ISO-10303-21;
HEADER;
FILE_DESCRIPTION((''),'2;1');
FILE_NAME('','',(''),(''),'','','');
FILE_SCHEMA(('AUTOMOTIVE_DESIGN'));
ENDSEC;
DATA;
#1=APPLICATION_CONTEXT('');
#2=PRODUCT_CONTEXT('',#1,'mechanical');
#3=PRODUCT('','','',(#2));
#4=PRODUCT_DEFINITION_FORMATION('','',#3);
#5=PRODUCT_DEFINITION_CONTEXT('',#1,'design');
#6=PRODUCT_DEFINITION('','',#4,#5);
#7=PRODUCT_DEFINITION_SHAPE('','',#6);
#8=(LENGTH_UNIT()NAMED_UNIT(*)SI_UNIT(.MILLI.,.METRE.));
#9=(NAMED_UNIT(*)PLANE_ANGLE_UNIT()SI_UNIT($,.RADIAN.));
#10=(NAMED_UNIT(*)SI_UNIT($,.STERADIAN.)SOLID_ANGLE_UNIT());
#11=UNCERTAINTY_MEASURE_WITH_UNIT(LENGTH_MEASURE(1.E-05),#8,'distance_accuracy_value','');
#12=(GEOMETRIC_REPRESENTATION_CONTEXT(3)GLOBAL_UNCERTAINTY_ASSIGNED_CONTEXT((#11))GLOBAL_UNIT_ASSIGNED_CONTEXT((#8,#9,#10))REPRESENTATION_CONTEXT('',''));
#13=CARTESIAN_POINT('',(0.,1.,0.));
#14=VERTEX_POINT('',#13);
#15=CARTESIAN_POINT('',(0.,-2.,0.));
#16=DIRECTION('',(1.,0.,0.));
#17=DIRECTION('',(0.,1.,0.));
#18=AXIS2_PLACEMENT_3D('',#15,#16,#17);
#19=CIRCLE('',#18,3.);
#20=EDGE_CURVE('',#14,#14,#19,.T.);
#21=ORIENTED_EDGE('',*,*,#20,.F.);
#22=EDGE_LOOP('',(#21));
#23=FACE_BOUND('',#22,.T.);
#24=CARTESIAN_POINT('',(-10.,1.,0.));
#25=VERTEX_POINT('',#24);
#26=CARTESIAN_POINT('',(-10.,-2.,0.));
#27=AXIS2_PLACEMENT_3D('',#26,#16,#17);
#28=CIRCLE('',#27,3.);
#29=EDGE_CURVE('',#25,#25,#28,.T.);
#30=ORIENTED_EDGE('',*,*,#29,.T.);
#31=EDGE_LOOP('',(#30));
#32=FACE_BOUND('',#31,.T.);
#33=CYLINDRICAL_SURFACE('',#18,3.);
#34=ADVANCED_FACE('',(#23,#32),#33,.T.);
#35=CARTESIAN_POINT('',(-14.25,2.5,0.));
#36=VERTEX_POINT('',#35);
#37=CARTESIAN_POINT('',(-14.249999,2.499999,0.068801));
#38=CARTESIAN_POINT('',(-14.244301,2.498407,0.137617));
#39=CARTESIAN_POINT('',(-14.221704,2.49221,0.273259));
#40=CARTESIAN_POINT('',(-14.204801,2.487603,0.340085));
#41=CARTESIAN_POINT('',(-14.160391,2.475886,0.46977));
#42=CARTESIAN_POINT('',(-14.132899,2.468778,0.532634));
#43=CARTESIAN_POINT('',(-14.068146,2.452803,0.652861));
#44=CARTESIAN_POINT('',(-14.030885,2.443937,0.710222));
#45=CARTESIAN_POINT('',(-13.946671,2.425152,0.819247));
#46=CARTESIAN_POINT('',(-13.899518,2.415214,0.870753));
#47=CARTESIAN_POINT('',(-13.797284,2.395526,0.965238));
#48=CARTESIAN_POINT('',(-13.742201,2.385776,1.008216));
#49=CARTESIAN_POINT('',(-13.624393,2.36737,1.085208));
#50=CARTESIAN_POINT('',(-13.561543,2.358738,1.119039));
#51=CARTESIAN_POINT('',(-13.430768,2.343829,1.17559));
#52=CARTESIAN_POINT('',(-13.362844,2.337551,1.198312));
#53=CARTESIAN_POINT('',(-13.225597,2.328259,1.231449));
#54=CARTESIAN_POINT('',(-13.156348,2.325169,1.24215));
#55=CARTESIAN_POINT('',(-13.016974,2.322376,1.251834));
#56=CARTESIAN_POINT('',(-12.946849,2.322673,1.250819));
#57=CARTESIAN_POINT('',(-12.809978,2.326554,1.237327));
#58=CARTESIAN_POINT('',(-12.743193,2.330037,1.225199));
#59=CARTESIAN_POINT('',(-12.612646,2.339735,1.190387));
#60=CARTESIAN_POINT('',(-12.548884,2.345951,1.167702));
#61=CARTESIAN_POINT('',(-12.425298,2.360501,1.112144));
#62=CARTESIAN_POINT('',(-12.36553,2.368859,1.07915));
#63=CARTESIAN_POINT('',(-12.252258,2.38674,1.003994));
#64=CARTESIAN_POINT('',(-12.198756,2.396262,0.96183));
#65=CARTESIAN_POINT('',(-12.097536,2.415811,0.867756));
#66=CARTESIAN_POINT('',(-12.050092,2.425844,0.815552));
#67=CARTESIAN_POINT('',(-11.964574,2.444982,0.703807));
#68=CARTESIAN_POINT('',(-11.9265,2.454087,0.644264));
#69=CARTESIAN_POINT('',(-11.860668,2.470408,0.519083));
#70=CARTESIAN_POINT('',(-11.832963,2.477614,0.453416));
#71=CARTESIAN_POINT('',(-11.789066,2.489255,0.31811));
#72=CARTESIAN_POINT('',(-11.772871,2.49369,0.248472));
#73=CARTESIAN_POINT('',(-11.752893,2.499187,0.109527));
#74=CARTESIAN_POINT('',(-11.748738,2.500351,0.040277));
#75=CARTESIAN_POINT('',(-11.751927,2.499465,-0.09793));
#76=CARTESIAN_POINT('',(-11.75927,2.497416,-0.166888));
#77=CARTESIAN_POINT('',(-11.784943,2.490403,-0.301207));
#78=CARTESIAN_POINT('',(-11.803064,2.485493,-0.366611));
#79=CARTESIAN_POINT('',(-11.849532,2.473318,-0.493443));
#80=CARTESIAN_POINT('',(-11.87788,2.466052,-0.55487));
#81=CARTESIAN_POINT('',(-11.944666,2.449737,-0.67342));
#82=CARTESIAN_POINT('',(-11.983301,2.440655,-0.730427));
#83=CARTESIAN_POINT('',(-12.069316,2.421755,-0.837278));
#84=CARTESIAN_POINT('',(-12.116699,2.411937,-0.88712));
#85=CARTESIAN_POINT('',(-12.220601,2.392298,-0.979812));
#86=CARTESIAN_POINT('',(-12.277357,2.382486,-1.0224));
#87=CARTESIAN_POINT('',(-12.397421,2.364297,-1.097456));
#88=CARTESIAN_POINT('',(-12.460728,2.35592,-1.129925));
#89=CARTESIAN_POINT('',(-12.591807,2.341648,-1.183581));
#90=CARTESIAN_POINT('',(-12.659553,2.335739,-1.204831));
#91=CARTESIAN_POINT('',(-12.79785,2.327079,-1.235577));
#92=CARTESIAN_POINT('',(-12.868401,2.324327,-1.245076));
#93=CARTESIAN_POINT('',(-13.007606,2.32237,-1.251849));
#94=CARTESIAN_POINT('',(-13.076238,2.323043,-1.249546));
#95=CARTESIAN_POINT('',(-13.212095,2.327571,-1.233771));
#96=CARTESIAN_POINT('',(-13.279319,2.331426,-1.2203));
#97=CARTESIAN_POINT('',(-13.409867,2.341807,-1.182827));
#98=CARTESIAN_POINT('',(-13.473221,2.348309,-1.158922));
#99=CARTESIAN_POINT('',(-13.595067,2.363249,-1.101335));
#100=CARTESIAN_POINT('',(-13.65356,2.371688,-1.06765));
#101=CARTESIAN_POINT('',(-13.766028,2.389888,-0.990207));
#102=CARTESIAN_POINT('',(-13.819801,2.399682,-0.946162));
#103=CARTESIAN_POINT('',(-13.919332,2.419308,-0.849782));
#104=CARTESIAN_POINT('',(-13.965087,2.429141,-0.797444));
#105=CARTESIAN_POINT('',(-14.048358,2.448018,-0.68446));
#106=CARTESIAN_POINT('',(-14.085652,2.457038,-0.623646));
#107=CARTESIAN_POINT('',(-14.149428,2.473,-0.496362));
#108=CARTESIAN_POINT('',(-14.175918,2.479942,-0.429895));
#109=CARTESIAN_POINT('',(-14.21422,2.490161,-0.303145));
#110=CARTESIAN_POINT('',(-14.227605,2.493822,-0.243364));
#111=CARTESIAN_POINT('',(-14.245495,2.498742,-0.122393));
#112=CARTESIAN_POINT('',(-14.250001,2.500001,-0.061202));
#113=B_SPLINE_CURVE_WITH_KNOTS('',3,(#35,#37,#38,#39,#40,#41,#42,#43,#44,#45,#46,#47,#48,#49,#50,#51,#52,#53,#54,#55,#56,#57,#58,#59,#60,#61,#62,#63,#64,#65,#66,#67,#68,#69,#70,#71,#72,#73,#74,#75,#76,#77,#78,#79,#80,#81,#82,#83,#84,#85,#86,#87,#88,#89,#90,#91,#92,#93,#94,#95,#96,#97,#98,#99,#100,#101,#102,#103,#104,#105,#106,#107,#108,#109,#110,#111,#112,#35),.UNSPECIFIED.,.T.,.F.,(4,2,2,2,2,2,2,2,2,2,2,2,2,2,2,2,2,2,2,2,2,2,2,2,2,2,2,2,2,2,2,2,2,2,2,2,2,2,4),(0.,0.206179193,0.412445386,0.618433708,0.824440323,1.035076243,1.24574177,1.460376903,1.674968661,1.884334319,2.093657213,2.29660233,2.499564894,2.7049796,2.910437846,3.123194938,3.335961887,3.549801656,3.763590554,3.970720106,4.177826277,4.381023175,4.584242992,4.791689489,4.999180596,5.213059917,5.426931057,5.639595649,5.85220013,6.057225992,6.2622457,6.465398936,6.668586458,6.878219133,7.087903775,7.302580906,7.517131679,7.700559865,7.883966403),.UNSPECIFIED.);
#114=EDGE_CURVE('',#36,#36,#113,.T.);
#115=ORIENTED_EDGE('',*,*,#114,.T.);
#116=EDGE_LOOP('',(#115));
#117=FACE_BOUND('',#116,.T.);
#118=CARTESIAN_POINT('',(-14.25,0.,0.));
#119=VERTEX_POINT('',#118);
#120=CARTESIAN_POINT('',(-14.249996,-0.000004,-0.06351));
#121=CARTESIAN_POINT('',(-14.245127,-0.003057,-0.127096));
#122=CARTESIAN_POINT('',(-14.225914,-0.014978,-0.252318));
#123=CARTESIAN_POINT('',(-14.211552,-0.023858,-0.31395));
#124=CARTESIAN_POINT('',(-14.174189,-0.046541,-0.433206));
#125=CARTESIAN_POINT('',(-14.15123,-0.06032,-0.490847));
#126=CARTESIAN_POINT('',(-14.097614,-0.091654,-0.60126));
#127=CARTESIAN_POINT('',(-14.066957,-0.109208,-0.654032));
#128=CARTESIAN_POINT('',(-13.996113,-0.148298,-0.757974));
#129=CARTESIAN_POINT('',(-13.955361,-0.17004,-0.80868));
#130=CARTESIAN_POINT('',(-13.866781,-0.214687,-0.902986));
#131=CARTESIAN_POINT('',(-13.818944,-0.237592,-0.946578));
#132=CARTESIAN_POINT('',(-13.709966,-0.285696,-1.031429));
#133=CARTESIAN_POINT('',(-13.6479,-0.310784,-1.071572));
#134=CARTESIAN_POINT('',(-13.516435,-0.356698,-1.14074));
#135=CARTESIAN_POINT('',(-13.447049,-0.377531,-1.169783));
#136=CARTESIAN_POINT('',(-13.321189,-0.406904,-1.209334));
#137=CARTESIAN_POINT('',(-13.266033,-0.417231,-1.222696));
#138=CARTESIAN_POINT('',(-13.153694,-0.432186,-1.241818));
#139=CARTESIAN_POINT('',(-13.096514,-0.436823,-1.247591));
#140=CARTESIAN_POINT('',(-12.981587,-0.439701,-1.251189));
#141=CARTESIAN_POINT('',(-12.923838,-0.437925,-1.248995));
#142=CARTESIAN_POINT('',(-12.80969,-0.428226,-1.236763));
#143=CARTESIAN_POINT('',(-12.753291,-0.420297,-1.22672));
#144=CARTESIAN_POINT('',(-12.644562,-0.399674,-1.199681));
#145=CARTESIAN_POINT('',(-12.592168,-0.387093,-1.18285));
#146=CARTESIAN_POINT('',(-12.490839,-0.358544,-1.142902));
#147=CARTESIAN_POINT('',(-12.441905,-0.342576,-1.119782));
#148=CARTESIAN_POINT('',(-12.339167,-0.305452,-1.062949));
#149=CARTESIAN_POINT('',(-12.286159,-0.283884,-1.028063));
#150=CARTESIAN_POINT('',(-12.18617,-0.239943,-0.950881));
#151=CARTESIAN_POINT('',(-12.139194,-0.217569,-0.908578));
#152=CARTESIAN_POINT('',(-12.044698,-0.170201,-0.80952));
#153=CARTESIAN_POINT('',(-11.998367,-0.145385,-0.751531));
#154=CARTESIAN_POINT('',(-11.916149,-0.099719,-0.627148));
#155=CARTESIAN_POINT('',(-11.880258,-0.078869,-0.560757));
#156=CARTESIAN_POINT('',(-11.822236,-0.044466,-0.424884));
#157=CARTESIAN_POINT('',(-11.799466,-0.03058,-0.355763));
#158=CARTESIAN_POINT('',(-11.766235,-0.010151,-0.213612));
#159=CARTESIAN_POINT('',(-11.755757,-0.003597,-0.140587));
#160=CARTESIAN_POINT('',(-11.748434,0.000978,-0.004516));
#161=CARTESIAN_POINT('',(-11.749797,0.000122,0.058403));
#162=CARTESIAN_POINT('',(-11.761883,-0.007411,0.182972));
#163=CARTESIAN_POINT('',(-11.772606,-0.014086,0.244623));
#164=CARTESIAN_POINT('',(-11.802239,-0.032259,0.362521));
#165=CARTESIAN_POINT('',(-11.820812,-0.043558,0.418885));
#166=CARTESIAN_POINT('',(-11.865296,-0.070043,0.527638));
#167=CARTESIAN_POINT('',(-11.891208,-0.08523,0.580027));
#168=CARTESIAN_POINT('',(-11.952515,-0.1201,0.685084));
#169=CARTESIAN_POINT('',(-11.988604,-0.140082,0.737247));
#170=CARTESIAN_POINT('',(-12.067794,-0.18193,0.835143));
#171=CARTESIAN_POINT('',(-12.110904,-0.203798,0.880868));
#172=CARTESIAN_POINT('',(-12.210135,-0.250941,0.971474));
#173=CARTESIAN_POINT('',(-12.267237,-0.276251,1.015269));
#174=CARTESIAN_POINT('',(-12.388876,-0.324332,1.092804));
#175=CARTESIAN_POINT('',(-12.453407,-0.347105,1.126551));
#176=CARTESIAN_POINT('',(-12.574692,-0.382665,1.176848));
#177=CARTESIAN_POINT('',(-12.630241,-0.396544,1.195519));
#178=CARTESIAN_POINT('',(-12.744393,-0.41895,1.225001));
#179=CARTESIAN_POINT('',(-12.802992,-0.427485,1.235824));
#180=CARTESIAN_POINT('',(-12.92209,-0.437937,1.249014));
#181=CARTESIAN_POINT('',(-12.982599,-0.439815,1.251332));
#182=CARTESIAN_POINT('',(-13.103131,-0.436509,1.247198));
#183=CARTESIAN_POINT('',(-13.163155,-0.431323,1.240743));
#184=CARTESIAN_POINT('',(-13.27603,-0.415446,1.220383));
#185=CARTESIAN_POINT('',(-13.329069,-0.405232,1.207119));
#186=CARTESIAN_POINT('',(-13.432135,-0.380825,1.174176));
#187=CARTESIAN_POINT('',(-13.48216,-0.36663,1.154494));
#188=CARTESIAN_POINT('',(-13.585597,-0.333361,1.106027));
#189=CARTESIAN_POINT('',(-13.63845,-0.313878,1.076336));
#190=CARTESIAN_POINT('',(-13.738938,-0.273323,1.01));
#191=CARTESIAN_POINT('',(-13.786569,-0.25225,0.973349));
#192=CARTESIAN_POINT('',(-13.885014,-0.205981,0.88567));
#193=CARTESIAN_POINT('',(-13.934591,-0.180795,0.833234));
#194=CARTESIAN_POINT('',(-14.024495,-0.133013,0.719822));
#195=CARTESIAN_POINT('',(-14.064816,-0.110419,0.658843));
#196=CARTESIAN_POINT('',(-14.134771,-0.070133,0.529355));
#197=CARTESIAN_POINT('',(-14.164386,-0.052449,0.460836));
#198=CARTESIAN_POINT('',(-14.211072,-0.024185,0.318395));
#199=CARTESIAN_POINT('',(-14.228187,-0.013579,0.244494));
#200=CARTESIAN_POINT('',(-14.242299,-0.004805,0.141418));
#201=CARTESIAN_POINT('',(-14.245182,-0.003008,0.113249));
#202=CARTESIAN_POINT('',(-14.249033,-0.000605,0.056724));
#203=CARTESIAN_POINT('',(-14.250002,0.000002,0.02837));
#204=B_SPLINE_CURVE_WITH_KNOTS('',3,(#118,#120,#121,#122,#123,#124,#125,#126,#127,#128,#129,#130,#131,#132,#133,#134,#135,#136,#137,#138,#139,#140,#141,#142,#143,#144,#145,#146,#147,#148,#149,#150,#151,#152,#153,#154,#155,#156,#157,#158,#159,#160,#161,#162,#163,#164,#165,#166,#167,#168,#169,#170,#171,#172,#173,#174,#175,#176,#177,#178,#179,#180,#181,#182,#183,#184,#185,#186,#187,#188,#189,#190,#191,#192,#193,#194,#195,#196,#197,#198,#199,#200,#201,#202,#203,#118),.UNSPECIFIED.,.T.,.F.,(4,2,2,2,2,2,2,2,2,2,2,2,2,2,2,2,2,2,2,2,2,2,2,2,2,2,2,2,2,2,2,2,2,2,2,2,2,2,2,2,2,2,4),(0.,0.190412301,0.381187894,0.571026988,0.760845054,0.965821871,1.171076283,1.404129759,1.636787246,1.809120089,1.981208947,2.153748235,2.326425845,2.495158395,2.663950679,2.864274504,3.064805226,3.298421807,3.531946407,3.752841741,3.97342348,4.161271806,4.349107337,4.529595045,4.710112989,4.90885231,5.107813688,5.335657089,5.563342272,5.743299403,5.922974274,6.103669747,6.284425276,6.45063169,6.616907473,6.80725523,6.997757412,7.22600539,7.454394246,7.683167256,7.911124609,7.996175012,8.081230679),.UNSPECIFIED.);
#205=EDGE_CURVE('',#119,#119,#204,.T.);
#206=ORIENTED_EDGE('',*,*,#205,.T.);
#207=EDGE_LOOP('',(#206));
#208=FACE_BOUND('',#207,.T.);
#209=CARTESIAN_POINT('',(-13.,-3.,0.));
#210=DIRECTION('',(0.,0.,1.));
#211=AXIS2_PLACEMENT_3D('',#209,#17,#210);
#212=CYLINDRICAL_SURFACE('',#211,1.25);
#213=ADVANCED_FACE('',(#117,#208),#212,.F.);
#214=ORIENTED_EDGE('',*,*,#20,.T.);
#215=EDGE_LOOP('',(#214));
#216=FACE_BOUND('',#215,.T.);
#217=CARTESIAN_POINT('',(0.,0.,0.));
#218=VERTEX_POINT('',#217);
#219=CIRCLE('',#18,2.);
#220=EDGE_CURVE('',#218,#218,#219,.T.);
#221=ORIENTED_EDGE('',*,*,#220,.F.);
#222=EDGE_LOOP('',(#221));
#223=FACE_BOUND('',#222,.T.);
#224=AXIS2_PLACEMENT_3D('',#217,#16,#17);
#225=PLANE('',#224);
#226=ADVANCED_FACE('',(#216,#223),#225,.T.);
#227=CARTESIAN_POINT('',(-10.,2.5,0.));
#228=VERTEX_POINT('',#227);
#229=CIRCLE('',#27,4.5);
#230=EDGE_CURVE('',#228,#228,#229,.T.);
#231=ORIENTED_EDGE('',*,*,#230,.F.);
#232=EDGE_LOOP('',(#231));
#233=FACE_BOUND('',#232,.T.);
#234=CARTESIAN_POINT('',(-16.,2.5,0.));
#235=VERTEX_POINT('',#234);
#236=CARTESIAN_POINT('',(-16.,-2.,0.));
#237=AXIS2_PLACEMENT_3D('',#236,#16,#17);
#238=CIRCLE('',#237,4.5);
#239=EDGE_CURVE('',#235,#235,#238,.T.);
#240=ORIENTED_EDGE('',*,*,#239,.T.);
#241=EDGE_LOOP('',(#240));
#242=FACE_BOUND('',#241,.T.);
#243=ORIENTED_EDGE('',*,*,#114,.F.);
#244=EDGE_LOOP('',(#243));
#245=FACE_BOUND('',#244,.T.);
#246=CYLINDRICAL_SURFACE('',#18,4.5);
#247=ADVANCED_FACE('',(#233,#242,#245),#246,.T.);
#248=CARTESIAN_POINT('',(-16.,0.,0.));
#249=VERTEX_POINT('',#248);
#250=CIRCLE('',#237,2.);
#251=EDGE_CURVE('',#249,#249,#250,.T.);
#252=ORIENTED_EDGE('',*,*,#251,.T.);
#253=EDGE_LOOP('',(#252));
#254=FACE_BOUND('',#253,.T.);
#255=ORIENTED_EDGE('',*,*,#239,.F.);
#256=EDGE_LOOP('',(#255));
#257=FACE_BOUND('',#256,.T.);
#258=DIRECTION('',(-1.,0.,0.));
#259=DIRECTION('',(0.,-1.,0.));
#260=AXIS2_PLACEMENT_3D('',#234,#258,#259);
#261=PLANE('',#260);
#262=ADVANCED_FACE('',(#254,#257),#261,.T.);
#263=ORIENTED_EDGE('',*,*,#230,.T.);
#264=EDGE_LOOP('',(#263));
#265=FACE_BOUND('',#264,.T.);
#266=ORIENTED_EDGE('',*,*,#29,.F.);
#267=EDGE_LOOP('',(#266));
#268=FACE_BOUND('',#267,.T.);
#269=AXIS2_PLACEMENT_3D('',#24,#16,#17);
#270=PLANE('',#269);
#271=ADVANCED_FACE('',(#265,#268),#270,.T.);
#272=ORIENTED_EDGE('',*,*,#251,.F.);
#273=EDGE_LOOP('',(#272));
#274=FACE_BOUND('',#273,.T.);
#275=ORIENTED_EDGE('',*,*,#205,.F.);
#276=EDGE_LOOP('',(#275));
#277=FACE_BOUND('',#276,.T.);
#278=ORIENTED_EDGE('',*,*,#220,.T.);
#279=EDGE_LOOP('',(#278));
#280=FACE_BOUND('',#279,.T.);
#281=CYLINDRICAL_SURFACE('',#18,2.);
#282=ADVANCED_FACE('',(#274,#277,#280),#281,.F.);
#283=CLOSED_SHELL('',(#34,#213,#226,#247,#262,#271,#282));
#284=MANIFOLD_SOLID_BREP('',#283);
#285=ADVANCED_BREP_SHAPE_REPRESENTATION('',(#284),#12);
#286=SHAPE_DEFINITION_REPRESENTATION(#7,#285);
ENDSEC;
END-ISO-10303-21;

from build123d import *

# Parameters (mm, degrees)
ESQUISSE3_R             = 1.25
ENL_V_MAT_EXTRU_1_DEPTH = 6


with BuildPart() as part:
    # Esquisse1 → Révolution1 (revolve)
    with BuildSketch(Plane.XY):
        Polygon((0, 0), (0, 1), (-10, 1), (-10, 2.5), (-16, 2.5), (-16, 0), align=None)
    revolve(axis=Axis((0, -2, 0), (-1, 0, 0)))

    # Esquisse3 → Enlèv. mat.-Extru.1 (cut)
    with BuildSketch(Plane(origin=(0, 3, 0), x_dir=(-1, 0, 0), z_dir=(0, 1, 0))):
        with Locations((13, 0)):
            Circle(ESQUISSE3_R)
    extrude(amount=-ENL_V_MAT_EXTRU_1_DEPTH, mode=Mode.SUBTRACT)


solid = part.part
